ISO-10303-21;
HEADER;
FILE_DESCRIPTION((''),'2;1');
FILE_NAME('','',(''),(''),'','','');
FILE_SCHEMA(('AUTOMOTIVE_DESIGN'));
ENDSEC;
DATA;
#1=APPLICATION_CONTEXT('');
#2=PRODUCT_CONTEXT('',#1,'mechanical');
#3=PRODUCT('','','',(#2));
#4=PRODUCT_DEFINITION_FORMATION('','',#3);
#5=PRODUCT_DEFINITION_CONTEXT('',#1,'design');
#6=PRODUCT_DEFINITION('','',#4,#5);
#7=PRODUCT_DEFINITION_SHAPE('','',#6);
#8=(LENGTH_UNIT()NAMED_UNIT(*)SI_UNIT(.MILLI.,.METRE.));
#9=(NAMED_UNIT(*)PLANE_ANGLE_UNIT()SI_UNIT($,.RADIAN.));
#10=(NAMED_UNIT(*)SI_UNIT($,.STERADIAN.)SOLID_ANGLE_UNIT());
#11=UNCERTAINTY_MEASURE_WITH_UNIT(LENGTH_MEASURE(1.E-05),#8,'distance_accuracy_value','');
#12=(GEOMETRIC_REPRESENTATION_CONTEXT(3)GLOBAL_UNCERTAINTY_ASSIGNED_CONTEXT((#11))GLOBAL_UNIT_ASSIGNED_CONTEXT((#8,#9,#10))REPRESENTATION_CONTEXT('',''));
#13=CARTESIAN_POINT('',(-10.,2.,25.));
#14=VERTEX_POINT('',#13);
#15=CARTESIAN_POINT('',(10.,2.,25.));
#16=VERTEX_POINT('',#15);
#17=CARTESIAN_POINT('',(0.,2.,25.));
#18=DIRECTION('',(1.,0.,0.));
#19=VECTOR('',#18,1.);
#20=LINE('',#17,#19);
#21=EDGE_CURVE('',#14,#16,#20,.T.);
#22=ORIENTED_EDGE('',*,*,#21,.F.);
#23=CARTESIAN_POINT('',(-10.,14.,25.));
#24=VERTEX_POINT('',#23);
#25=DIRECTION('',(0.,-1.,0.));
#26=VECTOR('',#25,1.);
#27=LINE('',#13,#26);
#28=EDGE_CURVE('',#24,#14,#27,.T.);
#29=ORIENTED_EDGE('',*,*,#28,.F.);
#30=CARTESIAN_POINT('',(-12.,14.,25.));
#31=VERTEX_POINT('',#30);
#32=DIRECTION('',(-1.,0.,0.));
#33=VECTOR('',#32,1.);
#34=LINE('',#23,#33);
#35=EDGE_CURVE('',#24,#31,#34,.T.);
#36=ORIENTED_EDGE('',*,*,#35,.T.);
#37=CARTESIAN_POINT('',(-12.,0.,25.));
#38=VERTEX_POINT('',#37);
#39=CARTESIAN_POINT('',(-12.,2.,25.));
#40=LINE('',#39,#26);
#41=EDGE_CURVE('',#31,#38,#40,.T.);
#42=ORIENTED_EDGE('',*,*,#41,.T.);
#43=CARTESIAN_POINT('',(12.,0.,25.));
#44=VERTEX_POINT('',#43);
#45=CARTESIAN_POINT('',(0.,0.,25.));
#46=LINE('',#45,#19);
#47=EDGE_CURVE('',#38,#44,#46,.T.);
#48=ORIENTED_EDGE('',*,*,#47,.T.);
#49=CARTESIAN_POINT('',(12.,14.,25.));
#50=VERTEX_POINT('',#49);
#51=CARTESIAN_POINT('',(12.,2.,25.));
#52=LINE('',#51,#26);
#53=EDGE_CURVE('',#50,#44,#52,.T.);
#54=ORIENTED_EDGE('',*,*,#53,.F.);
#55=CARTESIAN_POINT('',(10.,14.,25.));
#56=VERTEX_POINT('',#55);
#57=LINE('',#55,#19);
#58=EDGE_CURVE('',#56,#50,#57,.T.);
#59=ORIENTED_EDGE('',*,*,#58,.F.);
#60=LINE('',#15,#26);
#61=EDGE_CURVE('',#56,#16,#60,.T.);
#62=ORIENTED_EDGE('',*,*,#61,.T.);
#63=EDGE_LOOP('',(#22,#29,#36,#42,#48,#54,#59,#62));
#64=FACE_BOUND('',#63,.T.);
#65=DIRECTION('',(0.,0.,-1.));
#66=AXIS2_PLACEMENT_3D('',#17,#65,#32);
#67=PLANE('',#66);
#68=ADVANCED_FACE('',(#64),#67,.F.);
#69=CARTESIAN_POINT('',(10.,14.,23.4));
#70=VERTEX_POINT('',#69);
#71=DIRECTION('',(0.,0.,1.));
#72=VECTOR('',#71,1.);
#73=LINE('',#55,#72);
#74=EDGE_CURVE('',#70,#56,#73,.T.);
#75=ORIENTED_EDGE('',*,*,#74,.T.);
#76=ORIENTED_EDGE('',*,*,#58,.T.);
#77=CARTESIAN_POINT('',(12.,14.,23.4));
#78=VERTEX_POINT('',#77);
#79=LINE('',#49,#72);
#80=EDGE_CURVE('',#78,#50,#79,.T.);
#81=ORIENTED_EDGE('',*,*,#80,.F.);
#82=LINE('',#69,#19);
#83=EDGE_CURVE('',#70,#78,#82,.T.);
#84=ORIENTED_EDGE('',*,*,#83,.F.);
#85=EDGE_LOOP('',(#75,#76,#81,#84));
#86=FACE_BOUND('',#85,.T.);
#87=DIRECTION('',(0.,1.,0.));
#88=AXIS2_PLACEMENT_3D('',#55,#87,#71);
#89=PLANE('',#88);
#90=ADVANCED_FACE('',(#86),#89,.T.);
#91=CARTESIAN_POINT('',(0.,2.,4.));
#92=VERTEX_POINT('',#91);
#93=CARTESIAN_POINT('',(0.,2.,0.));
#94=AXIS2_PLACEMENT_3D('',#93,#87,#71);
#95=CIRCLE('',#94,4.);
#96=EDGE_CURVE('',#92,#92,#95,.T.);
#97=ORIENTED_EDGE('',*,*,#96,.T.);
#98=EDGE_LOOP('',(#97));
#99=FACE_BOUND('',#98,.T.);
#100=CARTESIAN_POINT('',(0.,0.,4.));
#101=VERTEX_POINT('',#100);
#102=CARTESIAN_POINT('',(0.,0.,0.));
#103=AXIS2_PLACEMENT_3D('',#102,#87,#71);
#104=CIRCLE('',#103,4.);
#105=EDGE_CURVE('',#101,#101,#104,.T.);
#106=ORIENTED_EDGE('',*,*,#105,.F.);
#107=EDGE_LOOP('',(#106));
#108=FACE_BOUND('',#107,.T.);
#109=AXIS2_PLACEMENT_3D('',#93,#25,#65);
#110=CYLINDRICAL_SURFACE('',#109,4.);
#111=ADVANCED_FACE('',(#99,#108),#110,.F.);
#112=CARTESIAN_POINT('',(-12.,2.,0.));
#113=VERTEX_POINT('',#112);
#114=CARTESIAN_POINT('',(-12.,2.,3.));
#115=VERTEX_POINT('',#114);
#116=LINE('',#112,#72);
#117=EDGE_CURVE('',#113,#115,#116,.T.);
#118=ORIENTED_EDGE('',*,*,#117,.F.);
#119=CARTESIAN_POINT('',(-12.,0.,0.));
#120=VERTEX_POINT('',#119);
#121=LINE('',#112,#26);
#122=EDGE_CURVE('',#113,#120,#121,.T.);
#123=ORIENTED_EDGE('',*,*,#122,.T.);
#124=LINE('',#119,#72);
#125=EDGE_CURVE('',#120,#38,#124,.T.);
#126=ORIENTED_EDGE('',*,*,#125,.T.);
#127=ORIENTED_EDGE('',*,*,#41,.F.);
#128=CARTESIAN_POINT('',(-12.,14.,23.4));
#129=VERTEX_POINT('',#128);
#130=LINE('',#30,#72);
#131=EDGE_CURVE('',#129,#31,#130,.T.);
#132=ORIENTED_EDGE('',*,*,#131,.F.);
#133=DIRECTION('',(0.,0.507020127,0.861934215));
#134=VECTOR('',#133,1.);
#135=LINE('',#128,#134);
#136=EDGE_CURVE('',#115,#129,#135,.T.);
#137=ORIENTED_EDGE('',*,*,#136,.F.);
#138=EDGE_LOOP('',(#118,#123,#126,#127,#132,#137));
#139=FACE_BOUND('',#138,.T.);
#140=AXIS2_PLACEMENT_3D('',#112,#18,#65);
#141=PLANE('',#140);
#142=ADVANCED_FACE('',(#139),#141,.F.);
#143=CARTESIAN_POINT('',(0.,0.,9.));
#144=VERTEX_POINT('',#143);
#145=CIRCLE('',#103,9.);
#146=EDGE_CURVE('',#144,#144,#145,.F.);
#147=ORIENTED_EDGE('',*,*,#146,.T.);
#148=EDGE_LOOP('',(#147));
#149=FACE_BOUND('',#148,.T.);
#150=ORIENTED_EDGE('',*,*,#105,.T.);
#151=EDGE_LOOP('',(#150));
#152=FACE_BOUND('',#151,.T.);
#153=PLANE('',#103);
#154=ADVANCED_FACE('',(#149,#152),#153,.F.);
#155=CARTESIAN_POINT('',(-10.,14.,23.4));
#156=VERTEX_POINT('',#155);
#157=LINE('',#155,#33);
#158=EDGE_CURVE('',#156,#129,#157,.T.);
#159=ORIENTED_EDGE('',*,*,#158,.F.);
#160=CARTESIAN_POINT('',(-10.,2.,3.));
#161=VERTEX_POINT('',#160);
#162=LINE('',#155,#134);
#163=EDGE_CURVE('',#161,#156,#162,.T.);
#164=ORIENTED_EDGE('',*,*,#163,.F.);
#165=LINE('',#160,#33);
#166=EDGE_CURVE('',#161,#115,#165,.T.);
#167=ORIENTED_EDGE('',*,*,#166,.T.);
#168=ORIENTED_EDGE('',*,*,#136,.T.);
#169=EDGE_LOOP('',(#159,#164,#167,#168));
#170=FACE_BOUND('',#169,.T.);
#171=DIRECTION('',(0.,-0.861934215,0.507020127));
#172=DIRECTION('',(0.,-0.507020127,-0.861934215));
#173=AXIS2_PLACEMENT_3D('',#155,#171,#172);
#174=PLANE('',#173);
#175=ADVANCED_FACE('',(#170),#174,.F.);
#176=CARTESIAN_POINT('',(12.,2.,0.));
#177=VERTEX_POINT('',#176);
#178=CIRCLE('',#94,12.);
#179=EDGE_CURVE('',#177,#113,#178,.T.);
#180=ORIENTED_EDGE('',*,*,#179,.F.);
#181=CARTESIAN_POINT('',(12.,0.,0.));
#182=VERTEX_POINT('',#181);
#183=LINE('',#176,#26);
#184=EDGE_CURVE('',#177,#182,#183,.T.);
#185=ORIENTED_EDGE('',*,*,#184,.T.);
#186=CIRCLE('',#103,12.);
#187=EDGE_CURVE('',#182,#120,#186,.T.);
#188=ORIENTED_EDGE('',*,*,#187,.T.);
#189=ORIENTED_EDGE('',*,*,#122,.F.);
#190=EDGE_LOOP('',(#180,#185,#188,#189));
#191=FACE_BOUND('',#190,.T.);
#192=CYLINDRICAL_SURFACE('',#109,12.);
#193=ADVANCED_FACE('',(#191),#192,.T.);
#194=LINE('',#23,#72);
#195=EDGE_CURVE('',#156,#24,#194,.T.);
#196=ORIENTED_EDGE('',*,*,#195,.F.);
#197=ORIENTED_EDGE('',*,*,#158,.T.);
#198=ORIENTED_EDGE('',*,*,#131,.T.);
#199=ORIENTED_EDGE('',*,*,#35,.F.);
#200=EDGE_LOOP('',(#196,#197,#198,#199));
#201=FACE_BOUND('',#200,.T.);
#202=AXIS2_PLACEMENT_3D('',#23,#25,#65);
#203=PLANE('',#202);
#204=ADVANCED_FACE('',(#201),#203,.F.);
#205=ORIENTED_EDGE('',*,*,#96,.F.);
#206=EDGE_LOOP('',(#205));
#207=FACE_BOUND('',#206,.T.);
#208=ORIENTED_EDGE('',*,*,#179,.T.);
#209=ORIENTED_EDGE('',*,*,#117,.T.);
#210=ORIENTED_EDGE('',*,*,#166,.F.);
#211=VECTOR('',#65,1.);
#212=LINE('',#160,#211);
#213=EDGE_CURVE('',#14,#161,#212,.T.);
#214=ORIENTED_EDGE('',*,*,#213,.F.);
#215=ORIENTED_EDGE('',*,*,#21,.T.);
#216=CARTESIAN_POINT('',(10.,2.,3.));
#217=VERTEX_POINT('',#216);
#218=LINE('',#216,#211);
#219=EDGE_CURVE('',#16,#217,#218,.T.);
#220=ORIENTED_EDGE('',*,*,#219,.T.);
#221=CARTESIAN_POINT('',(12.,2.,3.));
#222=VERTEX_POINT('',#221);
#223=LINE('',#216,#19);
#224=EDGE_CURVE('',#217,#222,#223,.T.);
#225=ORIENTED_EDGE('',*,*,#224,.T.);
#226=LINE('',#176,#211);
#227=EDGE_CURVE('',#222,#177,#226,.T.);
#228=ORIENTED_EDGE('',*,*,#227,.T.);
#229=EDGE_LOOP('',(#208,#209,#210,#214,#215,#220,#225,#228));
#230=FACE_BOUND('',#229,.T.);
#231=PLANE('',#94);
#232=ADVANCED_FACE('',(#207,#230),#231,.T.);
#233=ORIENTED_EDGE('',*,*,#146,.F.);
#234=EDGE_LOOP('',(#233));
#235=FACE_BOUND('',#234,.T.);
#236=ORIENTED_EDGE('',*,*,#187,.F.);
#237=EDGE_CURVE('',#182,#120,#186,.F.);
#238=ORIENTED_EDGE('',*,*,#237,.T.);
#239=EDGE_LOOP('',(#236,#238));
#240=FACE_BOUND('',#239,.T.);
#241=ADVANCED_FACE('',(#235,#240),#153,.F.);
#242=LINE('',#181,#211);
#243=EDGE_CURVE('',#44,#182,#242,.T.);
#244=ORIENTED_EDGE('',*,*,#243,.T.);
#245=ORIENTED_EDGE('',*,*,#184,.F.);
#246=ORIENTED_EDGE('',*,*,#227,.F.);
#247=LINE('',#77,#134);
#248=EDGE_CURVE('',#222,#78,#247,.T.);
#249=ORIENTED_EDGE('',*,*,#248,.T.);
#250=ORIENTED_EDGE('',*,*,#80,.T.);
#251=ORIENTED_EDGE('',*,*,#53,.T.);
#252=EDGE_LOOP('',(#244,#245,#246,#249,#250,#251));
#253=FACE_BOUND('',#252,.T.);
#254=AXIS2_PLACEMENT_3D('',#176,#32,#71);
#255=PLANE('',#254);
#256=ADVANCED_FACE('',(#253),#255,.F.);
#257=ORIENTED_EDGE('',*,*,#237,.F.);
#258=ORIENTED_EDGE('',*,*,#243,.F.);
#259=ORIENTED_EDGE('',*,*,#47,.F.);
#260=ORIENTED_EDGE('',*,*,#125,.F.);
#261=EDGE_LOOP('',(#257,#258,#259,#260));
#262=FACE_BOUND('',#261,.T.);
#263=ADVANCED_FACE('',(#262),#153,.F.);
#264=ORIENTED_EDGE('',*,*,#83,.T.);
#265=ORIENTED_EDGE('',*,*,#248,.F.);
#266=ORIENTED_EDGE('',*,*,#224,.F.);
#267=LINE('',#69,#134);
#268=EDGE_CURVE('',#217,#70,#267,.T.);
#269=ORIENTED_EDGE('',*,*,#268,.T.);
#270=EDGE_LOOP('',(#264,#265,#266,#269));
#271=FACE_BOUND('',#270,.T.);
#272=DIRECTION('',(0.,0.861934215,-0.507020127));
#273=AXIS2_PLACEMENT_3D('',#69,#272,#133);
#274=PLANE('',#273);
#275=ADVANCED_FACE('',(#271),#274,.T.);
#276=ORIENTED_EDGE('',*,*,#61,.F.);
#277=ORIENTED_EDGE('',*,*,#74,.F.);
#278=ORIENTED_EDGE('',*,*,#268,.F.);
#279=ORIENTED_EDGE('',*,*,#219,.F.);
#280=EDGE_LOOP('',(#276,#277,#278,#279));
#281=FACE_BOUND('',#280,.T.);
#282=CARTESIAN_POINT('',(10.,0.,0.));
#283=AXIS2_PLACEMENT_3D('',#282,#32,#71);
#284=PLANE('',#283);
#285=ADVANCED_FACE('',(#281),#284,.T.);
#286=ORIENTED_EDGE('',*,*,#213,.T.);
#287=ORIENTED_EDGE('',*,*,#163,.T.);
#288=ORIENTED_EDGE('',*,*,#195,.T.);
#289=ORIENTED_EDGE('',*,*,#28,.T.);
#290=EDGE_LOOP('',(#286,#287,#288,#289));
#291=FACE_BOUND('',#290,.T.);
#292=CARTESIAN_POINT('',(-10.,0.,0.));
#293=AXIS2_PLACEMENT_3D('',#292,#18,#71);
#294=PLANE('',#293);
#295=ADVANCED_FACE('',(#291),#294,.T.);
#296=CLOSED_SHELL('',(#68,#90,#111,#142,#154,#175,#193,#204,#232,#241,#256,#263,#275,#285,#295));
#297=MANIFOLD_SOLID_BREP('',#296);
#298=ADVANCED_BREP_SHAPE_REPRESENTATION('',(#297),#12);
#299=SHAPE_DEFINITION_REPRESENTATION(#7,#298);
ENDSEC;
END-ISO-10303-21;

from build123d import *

# Parameters (mm, degrees)
SKETCH_1_R      = 12
SKETCH_1_R_2    = 4
EXTRUDE_1_DEPTH = 2
EXTRUDE_2_DEPTH = 2


with BuildPart() as part:
    # 草图1 → 凸台-拉伸1 (new body)
    # profile 1 of 2: a face of its own
    with BuildSketch(Plane(origin=(0, 0, 0), x_dir=(1, 0, 0), z_dir=(0, 1, 0))):
        Circle(SKETCH_1_R)
        with Locations(Location((0, 0, 0), (0, 0, 270))):
            Circle(SKETCH_1_R_2, mode=Mode.SUBTRACT)
    # profile 2 of 2: a face of its own
    with BuildSketch(Plane(origin=(0, 0, 0), x_dir=(1, 0, 0), z_dir=(0, 1, 0))):
        with BuildLine():
            ThreePointArc((12, 0), (0, -12), (-12, 0))
            Line((-12, 0), (-12, -25))
            Line((-12, -25), (12, -25))
            Line((12, -25), (12, 0))
        make_face()
    extrude(amount=EXTRUDE_1_DEPTH)

    # 草图3 → 凸台-拉伸2 (add)
    with BuildSketch(Plane(origin=(12, 0, 0), x_dir=(0, 0, -1), z_dir=(1, 0, 0))):
        Polygon((-25, 2), (-25, 14), (-23.4, 14), (-3, 2), align=None)
    extrude_2 = extrude(amount=-EXTRUDE_2_DEPTH)

    # 镜向1: 凸台-拉伸2 across plane
    add(extrude_2.mirror(Plane(origin=(0, 0, 0), x_dir=(0, 0, 1), z_dir=(1, 0, 0))))


solid = part.part
